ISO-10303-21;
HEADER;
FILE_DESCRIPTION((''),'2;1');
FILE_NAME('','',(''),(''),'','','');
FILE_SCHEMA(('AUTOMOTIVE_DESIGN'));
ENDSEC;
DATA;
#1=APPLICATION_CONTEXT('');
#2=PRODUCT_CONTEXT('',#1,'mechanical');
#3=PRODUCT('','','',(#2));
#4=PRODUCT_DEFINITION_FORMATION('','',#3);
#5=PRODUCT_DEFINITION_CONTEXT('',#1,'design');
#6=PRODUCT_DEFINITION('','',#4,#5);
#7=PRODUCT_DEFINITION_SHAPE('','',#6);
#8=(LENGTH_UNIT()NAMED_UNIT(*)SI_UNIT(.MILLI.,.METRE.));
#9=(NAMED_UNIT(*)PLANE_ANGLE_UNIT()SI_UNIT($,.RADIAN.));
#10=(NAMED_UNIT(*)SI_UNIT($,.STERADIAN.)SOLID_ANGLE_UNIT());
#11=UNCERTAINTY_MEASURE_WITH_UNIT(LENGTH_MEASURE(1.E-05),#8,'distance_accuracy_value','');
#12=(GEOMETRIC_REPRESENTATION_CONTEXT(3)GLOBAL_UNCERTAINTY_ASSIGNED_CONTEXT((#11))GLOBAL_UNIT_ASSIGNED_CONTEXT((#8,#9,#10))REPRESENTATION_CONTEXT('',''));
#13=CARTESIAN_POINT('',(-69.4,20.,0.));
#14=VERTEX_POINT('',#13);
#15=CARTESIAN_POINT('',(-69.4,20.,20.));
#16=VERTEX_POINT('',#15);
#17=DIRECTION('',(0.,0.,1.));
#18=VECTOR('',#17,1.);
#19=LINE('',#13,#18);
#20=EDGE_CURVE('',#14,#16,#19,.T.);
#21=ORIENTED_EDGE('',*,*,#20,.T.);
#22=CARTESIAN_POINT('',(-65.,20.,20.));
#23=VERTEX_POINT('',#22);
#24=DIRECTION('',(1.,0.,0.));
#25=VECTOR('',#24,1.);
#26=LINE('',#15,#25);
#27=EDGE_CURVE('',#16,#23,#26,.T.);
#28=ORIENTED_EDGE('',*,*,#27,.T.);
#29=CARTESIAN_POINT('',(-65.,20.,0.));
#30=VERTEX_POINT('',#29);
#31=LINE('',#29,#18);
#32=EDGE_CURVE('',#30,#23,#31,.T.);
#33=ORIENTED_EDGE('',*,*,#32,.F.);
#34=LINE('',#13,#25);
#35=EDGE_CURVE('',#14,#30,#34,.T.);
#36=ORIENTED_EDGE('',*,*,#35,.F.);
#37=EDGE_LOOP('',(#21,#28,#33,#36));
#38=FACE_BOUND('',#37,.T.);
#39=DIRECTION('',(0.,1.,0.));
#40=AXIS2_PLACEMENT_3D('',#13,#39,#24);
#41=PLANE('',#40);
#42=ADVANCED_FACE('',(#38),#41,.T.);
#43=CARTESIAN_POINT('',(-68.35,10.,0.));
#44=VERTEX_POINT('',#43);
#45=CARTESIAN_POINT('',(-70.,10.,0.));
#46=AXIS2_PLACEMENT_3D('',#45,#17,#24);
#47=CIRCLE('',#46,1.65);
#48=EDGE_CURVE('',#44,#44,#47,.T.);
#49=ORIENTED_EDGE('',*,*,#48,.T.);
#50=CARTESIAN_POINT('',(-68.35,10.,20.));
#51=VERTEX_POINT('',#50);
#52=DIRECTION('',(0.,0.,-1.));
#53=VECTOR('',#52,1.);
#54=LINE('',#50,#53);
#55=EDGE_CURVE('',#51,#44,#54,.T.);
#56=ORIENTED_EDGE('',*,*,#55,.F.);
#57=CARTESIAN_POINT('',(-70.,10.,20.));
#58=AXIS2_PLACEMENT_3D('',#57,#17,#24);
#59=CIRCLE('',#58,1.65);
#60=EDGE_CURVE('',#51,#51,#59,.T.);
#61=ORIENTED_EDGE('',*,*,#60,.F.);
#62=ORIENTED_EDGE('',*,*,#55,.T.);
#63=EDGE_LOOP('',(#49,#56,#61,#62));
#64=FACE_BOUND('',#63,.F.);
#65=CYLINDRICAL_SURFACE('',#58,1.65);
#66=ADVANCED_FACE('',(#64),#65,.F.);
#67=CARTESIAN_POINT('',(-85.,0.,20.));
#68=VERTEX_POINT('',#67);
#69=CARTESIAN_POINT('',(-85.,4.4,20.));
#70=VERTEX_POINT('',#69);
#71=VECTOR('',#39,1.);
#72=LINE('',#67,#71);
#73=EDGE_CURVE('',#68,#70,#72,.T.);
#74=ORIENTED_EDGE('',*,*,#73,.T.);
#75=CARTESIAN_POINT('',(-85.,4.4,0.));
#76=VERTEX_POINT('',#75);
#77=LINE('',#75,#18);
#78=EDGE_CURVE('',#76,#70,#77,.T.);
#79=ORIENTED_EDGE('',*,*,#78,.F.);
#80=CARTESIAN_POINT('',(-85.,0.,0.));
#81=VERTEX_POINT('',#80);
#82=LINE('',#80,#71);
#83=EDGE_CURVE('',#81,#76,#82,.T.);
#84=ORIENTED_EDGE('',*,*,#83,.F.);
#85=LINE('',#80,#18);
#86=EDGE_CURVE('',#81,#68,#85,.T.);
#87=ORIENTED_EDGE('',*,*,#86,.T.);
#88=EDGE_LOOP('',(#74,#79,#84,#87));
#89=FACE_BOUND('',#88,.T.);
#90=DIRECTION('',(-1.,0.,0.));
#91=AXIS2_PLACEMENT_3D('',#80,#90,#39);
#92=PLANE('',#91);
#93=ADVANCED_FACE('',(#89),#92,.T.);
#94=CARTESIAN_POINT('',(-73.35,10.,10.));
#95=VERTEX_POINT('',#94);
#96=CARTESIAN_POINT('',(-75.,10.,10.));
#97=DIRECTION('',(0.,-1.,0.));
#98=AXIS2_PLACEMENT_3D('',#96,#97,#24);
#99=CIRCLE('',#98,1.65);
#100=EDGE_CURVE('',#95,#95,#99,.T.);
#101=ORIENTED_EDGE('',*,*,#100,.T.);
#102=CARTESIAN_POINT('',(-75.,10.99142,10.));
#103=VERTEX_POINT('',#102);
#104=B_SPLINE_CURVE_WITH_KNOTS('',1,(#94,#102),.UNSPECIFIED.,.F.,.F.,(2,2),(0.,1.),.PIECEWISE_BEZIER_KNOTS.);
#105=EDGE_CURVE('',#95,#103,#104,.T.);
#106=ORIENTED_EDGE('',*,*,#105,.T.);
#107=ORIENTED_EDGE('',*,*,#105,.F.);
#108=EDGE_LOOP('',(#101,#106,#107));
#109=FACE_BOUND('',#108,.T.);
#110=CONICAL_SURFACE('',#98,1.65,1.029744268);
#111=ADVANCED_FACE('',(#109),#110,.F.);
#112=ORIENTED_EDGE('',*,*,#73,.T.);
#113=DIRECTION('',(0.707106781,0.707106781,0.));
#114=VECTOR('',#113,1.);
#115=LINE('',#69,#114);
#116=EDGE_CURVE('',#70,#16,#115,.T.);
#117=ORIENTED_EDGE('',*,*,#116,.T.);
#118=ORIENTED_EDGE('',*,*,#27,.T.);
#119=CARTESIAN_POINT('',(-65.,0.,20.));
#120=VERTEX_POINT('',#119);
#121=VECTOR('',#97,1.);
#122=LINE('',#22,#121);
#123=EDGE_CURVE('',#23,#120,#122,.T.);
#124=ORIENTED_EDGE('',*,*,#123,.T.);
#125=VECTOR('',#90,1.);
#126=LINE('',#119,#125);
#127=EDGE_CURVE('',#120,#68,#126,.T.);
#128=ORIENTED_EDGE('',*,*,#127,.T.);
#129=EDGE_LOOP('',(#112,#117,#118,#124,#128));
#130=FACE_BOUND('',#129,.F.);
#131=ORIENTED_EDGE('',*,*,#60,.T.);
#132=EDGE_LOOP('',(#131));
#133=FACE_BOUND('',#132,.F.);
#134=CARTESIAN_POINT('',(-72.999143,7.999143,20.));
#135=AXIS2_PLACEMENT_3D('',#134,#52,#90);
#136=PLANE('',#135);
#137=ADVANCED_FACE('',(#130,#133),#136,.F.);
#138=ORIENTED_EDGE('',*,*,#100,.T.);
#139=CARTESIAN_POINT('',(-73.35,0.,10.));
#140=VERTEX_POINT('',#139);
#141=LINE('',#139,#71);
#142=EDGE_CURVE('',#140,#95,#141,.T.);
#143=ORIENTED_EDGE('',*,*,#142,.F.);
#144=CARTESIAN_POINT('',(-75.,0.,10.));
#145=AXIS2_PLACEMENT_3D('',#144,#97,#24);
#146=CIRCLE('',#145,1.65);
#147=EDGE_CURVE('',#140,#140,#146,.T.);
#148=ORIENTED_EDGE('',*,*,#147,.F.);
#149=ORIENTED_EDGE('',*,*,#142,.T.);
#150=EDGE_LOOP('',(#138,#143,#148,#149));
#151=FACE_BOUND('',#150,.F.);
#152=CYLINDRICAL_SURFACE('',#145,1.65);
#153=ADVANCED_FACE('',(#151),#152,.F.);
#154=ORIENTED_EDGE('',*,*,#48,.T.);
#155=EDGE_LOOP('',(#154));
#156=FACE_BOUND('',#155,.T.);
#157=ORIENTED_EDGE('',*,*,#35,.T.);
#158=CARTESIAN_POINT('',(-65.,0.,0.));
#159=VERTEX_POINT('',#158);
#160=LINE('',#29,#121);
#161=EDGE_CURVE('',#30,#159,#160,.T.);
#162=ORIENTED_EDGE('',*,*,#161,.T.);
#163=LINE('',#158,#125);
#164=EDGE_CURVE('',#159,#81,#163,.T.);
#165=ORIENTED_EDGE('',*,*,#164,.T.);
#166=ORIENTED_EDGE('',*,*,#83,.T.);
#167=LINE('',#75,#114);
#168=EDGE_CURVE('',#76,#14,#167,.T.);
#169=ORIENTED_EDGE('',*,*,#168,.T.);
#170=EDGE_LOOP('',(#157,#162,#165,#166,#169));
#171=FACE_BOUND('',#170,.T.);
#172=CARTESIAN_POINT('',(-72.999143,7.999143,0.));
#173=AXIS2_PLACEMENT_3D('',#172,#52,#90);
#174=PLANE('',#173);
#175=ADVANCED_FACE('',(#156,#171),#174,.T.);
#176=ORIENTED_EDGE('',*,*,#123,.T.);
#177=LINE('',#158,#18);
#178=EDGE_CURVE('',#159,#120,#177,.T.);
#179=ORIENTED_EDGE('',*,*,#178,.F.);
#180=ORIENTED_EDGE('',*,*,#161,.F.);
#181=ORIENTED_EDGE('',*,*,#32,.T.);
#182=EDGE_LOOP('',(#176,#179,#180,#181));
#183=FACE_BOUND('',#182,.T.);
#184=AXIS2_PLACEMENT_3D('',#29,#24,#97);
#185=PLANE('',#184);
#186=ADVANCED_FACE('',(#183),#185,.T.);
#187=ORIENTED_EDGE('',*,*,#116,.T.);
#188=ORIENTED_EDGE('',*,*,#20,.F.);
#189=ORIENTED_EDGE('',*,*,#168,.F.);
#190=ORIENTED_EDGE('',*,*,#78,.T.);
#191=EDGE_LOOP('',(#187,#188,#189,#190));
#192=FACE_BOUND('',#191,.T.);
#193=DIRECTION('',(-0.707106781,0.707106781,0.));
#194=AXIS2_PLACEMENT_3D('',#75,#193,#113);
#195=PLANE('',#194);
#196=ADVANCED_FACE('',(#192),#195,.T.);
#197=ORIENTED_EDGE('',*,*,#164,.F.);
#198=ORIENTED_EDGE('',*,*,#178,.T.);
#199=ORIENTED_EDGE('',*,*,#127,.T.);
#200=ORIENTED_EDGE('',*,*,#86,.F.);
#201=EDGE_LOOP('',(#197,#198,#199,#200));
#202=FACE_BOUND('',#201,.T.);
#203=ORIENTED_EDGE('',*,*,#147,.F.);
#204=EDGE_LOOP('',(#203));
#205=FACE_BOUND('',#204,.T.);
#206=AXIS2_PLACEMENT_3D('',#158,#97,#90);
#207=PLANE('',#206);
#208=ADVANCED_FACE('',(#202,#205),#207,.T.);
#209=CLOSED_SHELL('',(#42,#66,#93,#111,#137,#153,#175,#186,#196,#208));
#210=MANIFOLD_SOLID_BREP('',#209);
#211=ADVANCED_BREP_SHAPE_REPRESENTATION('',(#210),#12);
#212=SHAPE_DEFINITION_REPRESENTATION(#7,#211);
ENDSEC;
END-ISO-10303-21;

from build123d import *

# Parameters (mm, degrees)
PAD_DEPTH     = 20
SKETCH001_R   = 1.65
HOLE_DEPTH    = 10
HOLE_TIPS_R   = 1.65
SKETCH002_R   = 1.65
HOLE001_DEPTH = 20.001


with BuildPart() as part:
    # Sketch → Pad (new body)
    with BuildSketch(Plane.XY):
        Polygon((-65, 0), (-85, 0), (-85, 4.4), (-69.4, 20), (-65, 20), align=None)
    extrude(amount=PAD_DEPTH)

    # Sketch001 (on Face1 of Pad) → Hole (cut)
    with BuildSketch(Plane.XZ):
        with Locations((-75, 10)):
            Circle(SKETCH001_R)
    extrude(amount=-HOLE_DEPTH, mode=Mode.SUBTRACT)

    # Hole tips → Hole tip 1 section 0
    with BuildSketch(Plane.XZ.offset(-10), mode=Mode.PRIVATE) as hole_tip_1_s0:
        with Locations((-75, 10)):
            Circle(HOLE_TIPS_R)
    loft([hole_tip_1_s0.sketch, Vertex(-75, 10.99142, 10)], mode=Mode.SUBTRACT)

    # Sketch002 (on Face4 of Hole) → Hole001 (cut, through all)
    with BuildSketch(Plane.XY.offset(20)):
        with Locations((-70, 10)):
            Circle(SKETCH002_R)
    extrude(amount=-HOLE001_DEPTH, mode=Mode.SUBTRACT)


solid = part.part
